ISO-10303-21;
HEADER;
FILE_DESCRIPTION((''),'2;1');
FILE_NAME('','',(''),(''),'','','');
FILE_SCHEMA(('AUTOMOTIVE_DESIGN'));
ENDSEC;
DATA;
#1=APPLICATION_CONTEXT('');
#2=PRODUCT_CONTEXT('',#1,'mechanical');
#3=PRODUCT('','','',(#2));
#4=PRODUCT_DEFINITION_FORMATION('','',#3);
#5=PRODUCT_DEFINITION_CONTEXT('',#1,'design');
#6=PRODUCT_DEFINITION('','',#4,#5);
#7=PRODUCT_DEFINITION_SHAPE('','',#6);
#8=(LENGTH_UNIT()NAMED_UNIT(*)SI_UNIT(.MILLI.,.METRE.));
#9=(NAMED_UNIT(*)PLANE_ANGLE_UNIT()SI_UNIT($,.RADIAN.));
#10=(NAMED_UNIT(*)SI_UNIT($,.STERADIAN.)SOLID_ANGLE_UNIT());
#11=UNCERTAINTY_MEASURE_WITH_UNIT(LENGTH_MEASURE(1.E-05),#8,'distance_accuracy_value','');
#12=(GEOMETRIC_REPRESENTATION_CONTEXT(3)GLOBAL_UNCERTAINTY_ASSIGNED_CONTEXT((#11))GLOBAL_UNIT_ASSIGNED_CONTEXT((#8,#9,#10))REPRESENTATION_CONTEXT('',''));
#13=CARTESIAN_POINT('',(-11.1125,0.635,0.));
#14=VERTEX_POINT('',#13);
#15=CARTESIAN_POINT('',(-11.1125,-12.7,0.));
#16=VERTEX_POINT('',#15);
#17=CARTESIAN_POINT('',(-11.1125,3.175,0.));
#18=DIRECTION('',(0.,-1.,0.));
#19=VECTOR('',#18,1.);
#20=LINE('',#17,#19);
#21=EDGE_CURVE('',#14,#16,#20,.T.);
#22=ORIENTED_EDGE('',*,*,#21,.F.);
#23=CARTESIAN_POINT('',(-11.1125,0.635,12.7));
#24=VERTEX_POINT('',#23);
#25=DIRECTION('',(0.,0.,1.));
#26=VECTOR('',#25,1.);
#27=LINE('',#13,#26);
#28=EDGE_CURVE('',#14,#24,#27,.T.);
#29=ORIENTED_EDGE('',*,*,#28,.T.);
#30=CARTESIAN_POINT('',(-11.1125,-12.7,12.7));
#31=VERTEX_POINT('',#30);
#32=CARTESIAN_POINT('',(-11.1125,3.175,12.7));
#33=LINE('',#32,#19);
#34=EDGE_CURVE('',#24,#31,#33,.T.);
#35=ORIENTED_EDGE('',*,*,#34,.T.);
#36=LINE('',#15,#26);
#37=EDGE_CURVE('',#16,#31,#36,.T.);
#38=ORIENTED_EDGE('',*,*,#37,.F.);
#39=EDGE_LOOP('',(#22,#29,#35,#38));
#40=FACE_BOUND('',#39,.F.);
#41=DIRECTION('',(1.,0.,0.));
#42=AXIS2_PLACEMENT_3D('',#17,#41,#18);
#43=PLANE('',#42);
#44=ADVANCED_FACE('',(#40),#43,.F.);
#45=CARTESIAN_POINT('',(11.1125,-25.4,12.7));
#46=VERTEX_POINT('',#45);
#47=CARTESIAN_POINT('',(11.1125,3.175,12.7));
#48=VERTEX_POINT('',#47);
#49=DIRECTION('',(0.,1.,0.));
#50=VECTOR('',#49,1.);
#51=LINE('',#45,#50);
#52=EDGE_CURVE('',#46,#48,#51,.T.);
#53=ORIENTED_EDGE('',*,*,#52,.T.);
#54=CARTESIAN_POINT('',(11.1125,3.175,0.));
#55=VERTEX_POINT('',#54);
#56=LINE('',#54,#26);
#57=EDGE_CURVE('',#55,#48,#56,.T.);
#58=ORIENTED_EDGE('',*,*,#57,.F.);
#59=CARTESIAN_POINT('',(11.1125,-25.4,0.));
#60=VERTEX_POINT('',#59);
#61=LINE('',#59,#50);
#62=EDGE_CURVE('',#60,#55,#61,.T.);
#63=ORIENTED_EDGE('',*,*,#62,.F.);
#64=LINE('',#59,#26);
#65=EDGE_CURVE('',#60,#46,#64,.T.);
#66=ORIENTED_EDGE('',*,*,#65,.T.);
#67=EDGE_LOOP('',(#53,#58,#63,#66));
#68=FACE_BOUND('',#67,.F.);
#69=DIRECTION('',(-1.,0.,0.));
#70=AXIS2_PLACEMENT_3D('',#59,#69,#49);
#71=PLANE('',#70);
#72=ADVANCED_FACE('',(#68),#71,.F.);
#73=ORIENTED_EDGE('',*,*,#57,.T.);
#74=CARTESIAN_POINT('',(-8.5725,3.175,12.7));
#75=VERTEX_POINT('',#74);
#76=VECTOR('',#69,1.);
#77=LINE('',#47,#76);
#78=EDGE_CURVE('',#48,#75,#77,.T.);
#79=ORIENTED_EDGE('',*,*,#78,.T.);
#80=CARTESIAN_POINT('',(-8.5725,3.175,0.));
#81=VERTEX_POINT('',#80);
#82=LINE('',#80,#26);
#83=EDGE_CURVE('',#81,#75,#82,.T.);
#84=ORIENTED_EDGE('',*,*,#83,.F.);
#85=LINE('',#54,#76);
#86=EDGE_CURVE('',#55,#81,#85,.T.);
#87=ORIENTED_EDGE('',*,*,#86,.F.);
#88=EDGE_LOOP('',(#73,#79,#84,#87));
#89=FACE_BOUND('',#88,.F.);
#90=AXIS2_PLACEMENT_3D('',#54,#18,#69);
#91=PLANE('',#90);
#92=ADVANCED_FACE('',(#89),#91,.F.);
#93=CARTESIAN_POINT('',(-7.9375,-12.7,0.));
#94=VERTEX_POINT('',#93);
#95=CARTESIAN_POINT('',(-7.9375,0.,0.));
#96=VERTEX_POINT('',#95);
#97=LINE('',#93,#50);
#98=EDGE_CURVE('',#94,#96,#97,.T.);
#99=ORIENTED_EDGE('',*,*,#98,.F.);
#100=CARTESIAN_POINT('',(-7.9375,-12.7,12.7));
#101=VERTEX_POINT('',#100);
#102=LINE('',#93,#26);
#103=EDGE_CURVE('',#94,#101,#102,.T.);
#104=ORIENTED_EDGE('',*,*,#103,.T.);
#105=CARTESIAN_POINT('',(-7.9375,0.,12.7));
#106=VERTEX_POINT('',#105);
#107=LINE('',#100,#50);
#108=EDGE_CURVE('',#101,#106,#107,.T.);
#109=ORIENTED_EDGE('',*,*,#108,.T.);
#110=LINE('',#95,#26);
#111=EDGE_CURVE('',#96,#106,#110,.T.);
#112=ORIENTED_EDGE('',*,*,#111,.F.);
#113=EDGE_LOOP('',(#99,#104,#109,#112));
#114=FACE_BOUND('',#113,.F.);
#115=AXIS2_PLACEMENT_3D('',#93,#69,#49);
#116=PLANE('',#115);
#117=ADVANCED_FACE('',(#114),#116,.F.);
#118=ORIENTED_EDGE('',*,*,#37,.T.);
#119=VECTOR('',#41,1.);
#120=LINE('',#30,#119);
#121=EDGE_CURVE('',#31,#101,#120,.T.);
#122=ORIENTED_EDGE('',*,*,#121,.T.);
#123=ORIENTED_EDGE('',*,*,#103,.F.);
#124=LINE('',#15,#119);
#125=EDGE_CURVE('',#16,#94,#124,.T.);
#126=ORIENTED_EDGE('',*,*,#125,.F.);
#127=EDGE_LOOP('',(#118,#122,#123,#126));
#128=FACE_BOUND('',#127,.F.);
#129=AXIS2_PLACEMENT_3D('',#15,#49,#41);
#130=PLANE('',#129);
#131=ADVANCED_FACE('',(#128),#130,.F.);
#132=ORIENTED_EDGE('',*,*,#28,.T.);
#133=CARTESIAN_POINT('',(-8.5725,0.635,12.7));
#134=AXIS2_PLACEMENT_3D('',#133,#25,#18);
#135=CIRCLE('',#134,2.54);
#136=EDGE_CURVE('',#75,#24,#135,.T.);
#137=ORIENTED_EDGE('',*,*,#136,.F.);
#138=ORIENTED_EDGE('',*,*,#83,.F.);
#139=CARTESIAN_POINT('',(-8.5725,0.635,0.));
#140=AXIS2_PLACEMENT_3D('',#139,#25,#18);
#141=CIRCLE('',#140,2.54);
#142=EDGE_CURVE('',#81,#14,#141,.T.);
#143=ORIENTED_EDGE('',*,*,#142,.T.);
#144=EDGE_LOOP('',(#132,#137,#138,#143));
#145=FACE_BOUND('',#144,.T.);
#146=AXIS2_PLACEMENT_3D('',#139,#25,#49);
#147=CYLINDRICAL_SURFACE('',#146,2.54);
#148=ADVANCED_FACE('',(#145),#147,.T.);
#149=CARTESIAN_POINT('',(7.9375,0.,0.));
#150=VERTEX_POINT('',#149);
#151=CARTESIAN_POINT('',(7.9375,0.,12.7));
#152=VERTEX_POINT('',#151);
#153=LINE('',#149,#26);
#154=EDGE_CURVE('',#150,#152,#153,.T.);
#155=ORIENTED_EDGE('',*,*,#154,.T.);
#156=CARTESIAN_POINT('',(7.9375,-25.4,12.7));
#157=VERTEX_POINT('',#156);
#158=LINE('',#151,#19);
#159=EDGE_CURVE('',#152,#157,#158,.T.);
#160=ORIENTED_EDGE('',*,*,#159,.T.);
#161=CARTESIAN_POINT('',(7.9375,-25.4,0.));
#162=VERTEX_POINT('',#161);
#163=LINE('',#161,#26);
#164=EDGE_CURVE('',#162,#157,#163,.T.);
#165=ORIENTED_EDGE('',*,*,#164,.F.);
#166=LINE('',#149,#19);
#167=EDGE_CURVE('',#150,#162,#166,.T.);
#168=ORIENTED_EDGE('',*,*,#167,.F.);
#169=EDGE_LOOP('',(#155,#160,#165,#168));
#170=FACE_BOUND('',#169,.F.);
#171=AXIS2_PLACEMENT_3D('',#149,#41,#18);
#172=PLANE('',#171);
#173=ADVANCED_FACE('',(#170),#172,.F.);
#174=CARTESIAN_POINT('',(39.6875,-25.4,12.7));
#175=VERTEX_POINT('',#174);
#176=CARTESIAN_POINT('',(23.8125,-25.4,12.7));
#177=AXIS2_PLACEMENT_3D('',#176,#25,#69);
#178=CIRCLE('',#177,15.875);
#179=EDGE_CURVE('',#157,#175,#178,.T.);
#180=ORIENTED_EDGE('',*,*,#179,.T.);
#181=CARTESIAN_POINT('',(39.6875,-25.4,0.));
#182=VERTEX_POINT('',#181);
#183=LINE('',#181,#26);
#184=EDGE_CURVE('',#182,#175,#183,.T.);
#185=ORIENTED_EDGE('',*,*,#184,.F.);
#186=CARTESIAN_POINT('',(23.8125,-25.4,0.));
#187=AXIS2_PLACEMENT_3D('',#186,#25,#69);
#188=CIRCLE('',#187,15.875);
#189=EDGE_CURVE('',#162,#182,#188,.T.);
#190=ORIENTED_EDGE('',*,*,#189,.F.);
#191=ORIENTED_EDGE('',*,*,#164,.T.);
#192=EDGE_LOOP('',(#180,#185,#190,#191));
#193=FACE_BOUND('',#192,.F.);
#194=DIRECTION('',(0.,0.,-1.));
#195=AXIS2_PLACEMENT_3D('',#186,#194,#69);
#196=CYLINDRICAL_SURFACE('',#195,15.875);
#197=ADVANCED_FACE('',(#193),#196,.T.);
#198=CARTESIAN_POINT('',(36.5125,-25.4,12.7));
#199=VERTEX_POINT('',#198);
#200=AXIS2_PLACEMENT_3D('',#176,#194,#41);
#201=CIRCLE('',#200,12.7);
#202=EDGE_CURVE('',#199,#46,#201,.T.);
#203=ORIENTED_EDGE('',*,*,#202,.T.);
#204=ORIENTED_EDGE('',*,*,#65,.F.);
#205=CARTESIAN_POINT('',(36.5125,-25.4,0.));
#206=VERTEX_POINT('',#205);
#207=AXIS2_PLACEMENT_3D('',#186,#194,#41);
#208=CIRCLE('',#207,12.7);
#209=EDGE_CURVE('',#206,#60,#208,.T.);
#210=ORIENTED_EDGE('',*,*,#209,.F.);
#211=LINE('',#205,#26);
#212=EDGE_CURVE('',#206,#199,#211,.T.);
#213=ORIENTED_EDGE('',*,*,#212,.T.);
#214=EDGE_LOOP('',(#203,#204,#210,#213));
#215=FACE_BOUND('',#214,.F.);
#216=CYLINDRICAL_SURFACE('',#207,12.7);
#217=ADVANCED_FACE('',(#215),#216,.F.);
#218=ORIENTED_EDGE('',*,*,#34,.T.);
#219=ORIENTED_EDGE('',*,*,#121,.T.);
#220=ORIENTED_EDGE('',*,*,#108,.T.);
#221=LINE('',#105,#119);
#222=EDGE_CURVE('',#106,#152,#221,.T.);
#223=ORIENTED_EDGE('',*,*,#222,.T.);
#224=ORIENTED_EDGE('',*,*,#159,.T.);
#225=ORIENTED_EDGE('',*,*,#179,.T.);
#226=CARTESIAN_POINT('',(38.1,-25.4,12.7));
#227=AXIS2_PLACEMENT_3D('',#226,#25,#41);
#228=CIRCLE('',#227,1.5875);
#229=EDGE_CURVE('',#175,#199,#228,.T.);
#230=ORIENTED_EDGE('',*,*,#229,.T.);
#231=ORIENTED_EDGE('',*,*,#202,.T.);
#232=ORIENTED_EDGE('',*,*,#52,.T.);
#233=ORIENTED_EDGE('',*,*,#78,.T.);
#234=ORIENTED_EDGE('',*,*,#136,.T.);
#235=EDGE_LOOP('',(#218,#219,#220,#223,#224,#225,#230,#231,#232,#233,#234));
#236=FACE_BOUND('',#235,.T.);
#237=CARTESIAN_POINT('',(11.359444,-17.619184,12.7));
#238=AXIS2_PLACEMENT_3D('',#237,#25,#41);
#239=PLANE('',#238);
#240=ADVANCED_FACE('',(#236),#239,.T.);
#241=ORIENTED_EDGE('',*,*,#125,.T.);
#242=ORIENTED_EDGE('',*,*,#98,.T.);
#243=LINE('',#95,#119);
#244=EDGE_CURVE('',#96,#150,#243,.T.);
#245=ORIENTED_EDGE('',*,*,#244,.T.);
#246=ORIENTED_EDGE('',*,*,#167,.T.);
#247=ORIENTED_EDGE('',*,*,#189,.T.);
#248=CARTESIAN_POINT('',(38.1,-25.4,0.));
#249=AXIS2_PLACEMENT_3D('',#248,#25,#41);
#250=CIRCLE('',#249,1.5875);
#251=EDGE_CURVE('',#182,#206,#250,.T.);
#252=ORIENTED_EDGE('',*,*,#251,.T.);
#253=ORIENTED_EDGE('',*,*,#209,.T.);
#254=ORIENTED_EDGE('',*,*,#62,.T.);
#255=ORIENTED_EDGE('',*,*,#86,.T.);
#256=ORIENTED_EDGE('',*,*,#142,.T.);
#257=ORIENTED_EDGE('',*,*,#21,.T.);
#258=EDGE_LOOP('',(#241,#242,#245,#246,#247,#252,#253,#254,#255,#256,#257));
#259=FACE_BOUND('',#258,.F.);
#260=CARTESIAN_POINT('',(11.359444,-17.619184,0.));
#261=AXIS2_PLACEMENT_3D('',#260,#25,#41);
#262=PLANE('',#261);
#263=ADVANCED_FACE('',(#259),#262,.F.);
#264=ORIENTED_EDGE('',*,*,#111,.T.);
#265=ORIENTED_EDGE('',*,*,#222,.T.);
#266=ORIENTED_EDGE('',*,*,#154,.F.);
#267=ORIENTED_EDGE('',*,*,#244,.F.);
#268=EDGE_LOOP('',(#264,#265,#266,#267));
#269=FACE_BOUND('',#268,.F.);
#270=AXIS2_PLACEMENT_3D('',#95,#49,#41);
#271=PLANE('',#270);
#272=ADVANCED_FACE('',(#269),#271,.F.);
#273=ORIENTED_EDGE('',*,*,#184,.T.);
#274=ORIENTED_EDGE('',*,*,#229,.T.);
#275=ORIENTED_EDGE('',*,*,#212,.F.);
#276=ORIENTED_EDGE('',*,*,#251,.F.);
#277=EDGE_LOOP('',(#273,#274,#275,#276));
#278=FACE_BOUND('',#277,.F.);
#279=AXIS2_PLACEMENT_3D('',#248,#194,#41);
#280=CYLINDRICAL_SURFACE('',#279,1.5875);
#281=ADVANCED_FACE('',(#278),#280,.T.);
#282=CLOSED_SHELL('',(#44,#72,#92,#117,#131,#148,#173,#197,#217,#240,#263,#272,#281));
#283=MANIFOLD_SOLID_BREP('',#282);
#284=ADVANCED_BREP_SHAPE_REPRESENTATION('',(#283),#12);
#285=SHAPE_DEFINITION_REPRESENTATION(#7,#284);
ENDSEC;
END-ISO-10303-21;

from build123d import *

# Parameters (mm, degrees)
F1_DEPTH = 12.7
F2_R     = 2.54


with BuildPart() as f1:
    # F0 (on Top) → F1 (new body)
    with BuildSketch(Plane.XY):
        with BuildLine():
            Line((-11.1125, -12.7), (-7.9375, -12.7))
            Line((-7.9375, -12.7), (-7.9375, 0))
            Line((-7.9375, 0), (7.9375, 0))
            Line((7.9375, 0), (7.9375, -25.4))
            ThreePointArc((7.9375, -25.4), (23.8125, -41.275), (39.6875, -25.4))
            ThreePointArc((39.6875, -25.4), (38.1, -23.8125), (36.5125, -25.4))
            ThreePointArc((36.5125, -25.4), (23.8125, -38.1), (11.1125, -25.4))
            Line((11.1125, -25.4), (11.1125, 3.175))
            Line((11.1125, 3.175), (-11.1125, 3.175))
            Line((-11.1125, 3.175), (-11.1125, -12.7))
        make_face()
    extrude(amount=F1_DEPTH)

    # F2
    f2_edges = [f1.edges().sort_by_distance(p)[0] for p in [
        (-11.1125, 3.175, 6.35),
    ]]
    fillet(f2_edges, radius=F2_R)


solid = f1.part
